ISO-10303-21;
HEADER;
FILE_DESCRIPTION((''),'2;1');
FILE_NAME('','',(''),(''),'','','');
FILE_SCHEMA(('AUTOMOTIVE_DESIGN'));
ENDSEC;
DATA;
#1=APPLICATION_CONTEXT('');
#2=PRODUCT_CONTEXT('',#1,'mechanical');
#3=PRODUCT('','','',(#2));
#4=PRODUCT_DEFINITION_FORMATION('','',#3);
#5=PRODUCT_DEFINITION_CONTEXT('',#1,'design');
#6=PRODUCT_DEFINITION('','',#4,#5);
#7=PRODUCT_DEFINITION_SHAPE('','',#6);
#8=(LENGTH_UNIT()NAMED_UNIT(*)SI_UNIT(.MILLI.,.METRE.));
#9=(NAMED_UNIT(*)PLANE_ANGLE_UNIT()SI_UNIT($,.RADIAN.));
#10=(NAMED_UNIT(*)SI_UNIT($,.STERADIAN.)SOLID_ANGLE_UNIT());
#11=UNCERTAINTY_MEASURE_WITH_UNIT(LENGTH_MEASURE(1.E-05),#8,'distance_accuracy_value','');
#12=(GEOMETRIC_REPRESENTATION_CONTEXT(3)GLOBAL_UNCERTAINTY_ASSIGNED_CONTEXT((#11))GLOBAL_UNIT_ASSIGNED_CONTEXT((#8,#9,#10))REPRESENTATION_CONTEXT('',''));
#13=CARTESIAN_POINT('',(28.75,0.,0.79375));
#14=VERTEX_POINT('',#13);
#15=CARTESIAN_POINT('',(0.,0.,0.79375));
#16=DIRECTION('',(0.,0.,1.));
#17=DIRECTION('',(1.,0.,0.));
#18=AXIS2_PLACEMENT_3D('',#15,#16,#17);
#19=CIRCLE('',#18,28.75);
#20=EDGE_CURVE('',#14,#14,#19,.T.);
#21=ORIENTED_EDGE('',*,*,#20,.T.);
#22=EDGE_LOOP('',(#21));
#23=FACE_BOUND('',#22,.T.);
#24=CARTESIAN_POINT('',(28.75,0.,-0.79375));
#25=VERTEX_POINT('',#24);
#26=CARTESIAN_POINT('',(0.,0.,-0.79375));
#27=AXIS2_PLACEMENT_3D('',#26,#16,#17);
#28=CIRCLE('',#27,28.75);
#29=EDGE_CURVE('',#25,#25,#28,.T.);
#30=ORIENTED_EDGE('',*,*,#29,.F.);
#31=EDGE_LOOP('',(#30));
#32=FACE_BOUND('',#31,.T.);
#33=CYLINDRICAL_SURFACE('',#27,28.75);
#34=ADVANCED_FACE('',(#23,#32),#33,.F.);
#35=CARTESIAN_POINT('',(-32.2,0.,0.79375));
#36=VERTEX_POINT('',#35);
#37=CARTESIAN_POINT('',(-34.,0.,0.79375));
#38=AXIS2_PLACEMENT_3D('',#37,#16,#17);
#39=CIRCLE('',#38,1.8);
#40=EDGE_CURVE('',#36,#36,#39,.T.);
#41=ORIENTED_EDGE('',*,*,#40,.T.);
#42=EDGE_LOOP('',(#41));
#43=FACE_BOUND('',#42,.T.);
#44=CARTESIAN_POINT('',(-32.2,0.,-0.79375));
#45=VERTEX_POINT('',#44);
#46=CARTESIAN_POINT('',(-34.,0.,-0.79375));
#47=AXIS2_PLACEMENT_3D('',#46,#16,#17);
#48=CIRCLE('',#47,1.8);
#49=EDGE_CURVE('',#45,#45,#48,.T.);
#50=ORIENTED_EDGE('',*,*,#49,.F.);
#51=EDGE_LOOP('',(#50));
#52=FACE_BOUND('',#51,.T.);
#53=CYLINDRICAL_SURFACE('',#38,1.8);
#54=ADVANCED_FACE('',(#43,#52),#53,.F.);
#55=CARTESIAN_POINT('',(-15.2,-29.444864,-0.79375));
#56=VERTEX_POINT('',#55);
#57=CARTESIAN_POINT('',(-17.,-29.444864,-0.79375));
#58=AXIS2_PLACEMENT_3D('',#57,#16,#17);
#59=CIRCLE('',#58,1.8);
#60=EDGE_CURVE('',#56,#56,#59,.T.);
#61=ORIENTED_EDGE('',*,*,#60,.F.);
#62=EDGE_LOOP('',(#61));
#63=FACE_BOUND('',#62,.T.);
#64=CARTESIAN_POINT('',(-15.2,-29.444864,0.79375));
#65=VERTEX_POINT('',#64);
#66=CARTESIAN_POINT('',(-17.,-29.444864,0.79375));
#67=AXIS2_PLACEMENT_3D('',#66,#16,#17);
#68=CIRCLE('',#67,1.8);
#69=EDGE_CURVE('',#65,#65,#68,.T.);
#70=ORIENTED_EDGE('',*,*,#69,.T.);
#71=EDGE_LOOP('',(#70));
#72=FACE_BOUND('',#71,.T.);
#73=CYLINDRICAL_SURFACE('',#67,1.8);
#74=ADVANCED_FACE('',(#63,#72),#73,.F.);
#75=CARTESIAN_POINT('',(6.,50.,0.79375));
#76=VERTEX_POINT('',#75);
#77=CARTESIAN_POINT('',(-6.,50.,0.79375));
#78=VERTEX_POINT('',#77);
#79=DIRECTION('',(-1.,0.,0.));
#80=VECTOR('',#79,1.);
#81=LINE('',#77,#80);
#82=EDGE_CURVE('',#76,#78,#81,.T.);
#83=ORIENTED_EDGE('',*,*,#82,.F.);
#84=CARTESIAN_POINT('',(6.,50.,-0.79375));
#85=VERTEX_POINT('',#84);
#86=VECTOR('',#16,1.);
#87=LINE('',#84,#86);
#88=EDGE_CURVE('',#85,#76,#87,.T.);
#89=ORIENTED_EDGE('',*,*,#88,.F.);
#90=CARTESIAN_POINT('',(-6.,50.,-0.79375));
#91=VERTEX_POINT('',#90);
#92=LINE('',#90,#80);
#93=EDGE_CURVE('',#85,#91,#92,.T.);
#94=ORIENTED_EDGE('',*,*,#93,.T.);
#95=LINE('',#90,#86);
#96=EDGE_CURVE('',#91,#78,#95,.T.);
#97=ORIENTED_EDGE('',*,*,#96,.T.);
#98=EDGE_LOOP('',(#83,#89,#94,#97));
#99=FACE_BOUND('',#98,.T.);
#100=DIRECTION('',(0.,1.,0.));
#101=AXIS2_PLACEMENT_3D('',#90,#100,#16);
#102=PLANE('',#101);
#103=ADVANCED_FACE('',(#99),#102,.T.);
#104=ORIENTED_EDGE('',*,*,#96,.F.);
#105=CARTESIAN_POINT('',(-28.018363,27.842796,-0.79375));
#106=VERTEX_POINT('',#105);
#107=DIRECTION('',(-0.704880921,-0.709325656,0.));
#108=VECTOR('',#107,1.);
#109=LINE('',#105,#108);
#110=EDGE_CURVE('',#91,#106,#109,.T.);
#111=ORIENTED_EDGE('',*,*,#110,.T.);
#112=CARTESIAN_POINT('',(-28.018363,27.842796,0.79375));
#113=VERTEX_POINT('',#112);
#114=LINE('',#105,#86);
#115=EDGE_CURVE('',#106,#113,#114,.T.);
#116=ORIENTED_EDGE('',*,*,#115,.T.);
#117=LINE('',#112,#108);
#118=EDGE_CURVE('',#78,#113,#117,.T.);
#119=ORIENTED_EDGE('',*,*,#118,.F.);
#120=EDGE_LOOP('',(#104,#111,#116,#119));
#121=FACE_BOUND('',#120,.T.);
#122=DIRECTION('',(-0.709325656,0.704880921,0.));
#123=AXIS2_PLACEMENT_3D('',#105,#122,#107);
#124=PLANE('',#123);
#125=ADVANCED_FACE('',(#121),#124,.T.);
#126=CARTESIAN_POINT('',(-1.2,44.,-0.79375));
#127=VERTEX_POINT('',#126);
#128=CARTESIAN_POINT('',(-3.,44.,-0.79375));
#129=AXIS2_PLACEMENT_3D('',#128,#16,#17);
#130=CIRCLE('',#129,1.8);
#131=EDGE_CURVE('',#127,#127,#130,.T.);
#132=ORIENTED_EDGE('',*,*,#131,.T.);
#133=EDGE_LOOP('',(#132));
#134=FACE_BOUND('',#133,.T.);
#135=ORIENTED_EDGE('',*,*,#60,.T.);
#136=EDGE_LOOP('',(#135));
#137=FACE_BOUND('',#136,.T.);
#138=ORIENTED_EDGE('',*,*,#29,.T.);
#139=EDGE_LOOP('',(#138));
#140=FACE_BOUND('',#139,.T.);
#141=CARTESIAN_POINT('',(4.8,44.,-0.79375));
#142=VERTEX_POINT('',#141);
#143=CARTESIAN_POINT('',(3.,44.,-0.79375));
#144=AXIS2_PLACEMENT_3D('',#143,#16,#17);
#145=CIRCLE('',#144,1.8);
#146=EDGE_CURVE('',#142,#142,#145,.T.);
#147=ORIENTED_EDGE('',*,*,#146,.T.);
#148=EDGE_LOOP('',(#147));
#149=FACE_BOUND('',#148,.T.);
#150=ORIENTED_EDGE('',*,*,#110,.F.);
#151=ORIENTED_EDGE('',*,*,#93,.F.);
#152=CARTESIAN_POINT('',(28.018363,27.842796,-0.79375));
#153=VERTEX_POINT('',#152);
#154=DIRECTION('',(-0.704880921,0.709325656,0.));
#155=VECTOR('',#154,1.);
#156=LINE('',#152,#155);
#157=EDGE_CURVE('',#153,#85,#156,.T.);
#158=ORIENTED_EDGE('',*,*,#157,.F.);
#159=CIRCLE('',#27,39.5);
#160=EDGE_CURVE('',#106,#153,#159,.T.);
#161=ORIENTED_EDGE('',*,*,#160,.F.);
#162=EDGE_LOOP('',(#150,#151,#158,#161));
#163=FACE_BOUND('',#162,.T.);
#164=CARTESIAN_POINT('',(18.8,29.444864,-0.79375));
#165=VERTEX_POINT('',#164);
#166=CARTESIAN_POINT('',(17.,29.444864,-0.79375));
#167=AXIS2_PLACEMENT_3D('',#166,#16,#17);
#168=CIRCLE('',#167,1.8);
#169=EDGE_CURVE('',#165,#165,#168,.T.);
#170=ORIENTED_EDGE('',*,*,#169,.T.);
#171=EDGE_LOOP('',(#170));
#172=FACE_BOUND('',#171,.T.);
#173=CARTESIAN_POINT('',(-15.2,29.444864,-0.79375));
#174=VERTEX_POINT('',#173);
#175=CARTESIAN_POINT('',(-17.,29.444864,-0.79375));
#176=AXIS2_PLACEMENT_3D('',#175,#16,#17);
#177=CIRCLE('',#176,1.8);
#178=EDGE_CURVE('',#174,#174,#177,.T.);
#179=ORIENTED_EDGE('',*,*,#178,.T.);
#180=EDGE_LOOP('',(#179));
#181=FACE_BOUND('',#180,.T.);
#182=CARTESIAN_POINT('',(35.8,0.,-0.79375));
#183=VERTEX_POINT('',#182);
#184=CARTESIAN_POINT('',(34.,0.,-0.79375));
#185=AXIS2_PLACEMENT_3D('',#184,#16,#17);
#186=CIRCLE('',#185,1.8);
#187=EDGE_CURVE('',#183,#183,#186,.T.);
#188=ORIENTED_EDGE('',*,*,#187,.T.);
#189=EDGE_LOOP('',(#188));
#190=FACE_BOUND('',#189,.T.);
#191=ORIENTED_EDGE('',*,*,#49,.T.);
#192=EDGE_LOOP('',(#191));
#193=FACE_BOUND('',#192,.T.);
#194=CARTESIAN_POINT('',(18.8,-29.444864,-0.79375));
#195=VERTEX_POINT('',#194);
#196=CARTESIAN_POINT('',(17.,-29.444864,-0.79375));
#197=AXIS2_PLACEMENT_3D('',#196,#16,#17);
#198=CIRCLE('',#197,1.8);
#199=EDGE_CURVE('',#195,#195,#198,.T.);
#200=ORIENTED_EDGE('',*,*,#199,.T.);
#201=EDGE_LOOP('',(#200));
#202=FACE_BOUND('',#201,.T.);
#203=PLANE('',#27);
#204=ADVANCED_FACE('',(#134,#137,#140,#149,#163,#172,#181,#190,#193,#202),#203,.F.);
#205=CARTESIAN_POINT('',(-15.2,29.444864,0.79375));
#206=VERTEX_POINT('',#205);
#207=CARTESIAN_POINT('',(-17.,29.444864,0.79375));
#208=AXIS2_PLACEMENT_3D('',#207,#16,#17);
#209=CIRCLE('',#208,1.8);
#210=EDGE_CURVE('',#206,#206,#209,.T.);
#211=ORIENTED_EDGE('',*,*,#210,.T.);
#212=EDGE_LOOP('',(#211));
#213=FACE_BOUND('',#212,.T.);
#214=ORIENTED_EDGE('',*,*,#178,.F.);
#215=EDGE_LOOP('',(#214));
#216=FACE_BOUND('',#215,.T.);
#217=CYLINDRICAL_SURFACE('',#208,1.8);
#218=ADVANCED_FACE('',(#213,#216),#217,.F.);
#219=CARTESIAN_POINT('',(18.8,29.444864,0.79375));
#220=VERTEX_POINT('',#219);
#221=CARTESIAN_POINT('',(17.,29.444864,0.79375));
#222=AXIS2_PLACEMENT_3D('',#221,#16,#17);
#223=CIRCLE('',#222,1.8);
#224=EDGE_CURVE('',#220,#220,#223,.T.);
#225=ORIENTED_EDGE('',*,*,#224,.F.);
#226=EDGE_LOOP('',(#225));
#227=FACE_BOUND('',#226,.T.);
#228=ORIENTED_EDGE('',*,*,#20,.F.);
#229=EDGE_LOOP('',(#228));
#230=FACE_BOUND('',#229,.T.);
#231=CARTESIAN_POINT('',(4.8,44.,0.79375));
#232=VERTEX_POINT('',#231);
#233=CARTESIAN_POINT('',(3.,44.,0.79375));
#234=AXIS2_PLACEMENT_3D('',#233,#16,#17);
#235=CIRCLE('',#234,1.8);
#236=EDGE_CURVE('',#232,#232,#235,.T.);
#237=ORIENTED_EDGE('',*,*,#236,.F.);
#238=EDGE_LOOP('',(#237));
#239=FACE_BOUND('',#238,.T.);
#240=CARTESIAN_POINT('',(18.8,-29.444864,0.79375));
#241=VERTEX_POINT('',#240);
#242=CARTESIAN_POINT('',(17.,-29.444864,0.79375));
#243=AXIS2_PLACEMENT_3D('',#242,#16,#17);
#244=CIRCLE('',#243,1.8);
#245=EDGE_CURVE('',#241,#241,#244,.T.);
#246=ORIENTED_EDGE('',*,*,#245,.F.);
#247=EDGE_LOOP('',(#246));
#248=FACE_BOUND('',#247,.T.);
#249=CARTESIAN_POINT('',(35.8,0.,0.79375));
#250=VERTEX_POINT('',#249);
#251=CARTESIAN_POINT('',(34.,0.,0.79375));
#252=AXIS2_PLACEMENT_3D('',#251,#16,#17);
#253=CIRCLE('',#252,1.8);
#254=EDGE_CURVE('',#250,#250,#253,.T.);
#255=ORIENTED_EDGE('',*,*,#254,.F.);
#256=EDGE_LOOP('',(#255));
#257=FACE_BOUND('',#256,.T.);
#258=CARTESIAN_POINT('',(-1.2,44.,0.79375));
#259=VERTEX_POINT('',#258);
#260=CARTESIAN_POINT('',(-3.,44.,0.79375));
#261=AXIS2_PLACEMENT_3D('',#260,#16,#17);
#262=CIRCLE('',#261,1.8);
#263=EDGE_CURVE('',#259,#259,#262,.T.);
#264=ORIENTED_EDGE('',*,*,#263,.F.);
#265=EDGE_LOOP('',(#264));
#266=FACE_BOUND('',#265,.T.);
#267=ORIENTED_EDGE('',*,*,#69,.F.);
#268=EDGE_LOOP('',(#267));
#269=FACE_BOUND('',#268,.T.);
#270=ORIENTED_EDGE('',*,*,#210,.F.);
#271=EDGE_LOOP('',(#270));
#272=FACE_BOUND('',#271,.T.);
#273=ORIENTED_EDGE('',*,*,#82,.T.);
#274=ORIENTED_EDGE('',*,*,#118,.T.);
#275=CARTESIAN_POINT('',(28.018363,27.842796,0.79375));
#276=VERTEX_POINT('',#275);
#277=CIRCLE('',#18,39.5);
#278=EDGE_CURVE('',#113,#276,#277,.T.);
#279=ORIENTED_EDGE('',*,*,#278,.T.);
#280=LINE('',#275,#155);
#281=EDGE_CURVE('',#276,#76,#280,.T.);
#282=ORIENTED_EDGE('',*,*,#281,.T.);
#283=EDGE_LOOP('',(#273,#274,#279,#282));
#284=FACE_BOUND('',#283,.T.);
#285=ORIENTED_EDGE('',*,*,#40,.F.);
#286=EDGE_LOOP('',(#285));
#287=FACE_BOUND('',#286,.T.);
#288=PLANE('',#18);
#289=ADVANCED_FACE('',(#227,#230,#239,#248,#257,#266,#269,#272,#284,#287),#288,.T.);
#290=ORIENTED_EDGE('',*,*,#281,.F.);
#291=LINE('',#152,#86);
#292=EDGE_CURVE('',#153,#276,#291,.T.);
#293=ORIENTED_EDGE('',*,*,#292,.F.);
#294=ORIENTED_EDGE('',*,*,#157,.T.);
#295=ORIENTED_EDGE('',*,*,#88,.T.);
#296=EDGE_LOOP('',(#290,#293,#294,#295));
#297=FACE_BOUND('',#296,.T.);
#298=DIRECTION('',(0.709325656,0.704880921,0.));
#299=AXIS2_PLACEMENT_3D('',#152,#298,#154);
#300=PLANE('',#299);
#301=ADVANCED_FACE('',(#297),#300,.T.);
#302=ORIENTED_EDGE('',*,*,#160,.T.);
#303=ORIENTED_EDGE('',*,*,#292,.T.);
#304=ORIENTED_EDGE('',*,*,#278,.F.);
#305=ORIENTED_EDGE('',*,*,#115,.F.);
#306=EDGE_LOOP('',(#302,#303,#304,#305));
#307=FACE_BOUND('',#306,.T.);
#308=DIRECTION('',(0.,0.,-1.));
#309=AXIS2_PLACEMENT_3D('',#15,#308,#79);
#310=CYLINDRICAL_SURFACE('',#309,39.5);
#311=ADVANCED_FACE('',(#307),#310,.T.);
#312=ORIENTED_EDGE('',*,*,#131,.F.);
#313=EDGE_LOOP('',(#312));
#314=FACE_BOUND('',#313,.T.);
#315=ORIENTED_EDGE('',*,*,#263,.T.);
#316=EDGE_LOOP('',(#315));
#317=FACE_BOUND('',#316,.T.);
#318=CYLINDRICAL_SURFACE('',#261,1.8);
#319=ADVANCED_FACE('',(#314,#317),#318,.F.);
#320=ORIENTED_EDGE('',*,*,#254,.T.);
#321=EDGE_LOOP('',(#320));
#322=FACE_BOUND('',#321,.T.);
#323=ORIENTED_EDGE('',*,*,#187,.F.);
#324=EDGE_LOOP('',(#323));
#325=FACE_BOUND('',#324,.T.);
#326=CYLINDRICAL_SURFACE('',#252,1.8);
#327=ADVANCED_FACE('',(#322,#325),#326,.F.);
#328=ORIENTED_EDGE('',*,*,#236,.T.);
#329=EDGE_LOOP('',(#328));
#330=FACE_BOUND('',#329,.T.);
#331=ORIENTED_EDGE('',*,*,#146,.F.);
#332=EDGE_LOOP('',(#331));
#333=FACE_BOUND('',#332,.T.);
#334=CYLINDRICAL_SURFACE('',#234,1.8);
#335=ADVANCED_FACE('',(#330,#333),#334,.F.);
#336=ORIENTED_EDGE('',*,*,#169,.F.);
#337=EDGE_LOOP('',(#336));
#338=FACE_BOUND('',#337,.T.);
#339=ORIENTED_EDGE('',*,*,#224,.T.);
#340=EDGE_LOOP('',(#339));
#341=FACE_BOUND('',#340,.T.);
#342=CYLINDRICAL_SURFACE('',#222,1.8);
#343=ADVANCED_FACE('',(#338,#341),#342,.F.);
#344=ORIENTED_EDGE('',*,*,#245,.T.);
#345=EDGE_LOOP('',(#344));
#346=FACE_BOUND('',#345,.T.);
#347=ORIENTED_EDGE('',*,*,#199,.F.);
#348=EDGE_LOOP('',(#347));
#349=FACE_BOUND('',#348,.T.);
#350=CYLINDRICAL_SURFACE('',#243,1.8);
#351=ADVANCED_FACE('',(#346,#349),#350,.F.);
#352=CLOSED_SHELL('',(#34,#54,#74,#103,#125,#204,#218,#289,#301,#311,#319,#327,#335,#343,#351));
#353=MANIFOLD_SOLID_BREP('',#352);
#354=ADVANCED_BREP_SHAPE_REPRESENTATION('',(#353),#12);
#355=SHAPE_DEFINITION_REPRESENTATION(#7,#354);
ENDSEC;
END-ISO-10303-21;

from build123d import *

# Parameters (mm, degrees)
SKETCH1_R                = 39.5
BOSS_EXTRUDE1_DEPTH      = 0.79375
BOSS_EXTRUDE2_DEPTH      = 1.5875
SKETCH2_R                = 28.75
CUT_EXTRUDE1_DEPTH       = 64.739863165
M3_CLEARANCE_HOLE1_D     = 3.6
CIRPATTERN1_COUNT        = 6
M3_CLEARANCE_HOLE2_D     = 3.6
M3_CLEARANCE_HOLE2_DEPTH = 10
M3_CLEARANCE_HOLE2_TIP   = 1.081549114


with BuildPart() as part:
    # Sketch1 → Boss-Extrude1 (new, symmetric)
    with BuildSketch(Plane.XY):
        Circle(SKETCH1_R)
    extrude(amount=BOSS_EXTRUDE1_DEPTH, both=True)

    # Sketch3 → Boss-Extrude2 (add, through all)
    with BuildSketch(Plane.XY.offset(0.79375)):
        Polygon((-28.01836343, 27.842796388), (-6, 50), (6, 50), (28.01836343, 27.842796388), align=None)
    extrude(amount=-BOSS_EXTRUDE2_DEPTH)

    # Sketch2 → Cut-Extrude1 (cut, through all)
    with BuildSketch(Plane.XY.offset(0.79375)):
        Circle(SKETCH2_R)
    extrude(amount=-CUT_EXTRUDE1_DEPTH, mode=Mode.SUBTRACT)

    # M3 Clearance Hole1 (through all)
    with Locations(Plane.XY.offset(0.79375)):
        with Locations((17, -29.444863729)):
            m3_clearance_hole1 = Hole(M3_CLEARANCE_HOLE1_D / 2)

    # CirPattern1: M3 Clearance Hole1 ×6 about axis
    cirpattern1_axis = Axis((0, 0, 0), (0, 0, 1))
    for i in range(1, CIRPATTERN1_COUNT):
        add(m3_clearance_hole1.rotate(cirpattern1_axis, i * 360 / CIRPATTERN1_COUNT), mode=Mode.SUBTRACT)

    # M3 Clearance Hole2
    with Locations(Plane.XY.offset(0.79375)):
        with Locations((3, 44), (-3, 44)):
            Hole(M3_CLEARANCE_HOLE2_D / 2, depth=M3_CLEARANCE_HOLE2_DEPTH)
            with Locations((0, 0, -(M3_CLEARANCE_HOLE2_DEPTH + M3_CLEARANCE_HOLE2_TIP / 2))):  # 118° drill point
                Cone(0, M3_CLEARANCE_HOLE2_D / 2, M3_CLEARANCE_HOLE2_TIP, mode=Mode.SUBTRACT)


solid = part.part
